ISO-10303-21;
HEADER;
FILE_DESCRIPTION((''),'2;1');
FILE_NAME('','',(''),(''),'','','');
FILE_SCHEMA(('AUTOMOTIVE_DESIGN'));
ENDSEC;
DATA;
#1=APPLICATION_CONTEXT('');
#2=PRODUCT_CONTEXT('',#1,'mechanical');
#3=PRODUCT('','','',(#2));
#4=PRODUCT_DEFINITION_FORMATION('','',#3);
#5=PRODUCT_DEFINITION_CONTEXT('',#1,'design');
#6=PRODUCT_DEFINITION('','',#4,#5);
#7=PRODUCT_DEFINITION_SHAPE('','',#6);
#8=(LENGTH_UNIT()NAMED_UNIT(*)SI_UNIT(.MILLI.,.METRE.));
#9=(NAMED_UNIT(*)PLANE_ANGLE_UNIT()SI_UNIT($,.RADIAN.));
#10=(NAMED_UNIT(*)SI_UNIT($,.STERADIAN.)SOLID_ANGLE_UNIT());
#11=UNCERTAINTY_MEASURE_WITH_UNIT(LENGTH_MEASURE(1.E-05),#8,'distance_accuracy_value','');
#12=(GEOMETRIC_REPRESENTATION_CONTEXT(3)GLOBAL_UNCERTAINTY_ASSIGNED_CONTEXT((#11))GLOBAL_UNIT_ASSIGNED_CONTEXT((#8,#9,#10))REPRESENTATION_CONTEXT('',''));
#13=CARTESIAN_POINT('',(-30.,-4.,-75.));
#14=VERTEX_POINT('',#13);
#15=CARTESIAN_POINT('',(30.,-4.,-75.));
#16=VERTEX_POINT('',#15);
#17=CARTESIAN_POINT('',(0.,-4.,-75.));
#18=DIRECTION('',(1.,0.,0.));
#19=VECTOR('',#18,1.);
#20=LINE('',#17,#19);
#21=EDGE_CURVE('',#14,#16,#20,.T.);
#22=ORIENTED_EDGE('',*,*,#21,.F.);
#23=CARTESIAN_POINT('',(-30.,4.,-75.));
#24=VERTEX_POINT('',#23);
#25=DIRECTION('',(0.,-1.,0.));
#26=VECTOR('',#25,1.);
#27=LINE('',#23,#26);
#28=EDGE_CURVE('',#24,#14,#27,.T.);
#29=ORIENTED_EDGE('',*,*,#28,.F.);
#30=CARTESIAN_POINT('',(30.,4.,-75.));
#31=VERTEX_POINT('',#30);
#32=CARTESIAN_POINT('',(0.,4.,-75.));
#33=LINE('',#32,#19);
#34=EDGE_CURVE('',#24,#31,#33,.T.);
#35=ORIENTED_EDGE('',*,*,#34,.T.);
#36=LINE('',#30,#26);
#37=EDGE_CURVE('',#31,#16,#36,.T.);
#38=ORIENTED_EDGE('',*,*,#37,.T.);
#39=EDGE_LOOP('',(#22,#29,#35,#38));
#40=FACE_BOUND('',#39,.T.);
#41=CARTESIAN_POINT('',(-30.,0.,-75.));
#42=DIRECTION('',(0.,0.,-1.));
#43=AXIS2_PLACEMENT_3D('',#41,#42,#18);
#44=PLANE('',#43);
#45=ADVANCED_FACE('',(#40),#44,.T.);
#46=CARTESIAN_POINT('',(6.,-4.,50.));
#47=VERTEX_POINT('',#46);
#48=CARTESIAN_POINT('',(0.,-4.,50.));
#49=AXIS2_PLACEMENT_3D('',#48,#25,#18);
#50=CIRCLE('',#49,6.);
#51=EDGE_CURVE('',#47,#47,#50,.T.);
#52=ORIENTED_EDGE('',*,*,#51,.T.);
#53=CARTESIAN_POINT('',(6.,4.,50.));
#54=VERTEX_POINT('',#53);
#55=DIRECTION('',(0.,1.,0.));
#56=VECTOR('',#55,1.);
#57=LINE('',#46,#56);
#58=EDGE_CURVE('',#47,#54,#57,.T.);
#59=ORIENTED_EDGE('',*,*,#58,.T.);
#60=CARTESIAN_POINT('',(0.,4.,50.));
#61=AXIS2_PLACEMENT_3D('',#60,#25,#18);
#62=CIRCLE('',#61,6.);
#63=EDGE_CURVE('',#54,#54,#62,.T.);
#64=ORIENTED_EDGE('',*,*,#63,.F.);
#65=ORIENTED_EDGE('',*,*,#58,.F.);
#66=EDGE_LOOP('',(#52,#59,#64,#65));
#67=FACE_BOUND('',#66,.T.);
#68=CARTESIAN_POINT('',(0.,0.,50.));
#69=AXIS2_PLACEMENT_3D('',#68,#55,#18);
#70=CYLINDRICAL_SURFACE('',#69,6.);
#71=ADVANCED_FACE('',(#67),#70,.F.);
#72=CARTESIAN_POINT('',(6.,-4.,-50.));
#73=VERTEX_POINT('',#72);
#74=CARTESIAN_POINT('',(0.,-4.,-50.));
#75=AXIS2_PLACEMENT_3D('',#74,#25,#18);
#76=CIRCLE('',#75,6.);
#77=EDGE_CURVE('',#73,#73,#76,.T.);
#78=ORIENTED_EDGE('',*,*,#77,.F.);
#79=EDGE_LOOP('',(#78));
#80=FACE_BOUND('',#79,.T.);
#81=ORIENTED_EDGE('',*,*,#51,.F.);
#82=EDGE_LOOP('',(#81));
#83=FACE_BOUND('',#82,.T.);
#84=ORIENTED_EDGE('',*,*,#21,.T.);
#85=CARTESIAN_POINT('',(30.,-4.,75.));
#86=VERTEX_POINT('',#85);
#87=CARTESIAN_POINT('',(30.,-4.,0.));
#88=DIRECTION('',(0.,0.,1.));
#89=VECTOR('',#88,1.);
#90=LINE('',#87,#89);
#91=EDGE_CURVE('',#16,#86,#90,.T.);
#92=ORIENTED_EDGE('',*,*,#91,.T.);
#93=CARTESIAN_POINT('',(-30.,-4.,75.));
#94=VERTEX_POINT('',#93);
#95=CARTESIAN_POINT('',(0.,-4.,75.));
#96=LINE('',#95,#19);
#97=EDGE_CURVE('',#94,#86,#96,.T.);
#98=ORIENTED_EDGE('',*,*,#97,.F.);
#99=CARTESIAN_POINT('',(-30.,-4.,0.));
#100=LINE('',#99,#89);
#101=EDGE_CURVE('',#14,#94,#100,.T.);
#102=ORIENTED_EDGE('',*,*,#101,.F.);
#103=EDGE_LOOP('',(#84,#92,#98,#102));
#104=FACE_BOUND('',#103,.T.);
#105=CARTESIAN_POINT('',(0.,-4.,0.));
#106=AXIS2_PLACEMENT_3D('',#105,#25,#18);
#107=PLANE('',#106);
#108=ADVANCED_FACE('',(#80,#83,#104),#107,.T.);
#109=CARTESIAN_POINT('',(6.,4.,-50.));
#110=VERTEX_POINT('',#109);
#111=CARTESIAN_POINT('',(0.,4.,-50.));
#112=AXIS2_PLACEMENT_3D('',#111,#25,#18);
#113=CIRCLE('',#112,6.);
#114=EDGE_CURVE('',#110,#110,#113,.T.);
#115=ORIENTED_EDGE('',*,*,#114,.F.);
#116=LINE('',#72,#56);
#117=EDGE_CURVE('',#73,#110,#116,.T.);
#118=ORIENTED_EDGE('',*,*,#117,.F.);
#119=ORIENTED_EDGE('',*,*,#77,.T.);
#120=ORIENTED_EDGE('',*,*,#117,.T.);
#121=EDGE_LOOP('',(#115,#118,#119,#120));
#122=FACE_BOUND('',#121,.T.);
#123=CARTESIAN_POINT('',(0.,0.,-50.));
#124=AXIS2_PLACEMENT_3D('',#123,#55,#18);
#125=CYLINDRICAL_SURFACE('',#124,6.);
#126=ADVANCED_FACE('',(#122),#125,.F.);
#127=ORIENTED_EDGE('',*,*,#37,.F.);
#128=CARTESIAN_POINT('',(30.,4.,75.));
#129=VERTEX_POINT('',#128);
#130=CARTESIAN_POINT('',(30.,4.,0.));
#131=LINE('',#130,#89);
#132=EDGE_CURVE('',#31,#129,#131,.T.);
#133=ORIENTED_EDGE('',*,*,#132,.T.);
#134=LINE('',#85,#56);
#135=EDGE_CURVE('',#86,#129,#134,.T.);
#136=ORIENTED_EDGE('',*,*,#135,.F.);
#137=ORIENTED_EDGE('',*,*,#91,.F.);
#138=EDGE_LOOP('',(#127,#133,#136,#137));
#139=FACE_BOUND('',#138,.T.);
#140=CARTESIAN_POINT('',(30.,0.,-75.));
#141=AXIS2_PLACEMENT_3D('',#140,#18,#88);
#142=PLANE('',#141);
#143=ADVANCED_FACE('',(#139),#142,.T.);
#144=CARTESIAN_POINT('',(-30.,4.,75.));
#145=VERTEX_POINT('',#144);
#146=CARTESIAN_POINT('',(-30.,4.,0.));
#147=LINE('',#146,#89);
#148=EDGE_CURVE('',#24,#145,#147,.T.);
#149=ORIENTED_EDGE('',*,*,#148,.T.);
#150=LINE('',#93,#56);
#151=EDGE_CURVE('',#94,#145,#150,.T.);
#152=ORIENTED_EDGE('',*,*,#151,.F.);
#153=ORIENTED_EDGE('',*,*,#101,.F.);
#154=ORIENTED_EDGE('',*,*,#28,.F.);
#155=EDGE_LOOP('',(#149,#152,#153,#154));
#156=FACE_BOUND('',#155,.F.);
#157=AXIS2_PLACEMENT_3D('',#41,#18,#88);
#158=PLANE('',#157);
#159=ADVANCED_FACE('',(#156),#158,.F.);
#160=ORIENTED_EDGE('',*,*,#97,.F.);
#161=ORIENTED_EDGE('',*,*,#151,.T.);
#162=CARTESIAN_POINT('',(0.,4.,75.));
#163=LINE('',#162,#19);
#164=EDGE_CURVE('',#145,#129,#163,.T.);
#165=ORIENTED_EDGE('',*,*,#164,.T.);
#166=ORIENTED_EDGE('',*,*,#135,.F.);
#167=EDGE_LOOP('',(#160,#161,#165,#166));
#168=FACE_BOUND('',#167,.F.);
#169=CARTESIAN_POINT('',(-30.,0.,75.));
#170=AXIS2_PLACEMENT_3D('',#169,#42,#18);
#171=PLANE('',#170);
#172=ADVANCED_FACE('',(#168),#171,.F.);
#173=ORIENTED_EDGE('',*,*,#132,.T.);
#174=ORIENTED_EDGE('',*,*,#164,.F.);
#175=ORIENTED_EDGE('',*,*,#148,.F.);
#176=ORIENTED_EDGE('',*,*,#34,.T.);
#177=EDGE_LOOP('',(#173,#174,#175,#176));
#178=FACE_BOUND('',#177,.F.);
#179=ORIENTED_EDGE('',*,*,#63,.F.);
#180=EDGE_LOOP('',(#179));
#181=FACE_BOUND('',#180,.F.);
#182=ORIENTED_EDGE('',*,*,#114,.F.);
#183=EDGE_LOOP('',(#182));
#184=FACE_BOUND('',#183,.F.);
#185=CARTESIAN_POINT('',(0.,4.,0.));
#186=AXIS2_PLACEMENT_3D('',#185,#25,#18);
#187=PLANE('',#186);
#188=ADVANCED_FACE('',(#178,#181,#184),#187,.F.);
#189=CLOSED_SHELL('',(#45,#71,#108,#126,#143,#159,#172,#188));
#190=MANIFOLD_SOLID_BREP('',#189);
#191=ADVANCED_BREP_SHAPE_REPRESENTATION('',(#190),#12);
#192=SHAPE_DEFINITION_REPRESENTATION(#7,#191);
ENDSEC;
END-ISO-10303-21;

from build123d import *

# Parameters (mm, degrees)
F0_W     = 60
F0_H     = 150
F0_R     = 6
F1_DEPTH = 4


with BuildPart() as f1:
    # F0 (on Front) → F1 (new body, symmetric)
    with BuildSketch(Plane.XZ):
        Rectangle(F0_W, F0_H)
        with Locations((0, -50)):
            Circle(F0_R, mode=Mode.SUBTRACT)
        with Locations((0, 50)):
            Circle(F0_R, mode=Mode.SUBTRACT)
    extrude(amount=F1_DEPTH, both=True)


solid = f1.part
